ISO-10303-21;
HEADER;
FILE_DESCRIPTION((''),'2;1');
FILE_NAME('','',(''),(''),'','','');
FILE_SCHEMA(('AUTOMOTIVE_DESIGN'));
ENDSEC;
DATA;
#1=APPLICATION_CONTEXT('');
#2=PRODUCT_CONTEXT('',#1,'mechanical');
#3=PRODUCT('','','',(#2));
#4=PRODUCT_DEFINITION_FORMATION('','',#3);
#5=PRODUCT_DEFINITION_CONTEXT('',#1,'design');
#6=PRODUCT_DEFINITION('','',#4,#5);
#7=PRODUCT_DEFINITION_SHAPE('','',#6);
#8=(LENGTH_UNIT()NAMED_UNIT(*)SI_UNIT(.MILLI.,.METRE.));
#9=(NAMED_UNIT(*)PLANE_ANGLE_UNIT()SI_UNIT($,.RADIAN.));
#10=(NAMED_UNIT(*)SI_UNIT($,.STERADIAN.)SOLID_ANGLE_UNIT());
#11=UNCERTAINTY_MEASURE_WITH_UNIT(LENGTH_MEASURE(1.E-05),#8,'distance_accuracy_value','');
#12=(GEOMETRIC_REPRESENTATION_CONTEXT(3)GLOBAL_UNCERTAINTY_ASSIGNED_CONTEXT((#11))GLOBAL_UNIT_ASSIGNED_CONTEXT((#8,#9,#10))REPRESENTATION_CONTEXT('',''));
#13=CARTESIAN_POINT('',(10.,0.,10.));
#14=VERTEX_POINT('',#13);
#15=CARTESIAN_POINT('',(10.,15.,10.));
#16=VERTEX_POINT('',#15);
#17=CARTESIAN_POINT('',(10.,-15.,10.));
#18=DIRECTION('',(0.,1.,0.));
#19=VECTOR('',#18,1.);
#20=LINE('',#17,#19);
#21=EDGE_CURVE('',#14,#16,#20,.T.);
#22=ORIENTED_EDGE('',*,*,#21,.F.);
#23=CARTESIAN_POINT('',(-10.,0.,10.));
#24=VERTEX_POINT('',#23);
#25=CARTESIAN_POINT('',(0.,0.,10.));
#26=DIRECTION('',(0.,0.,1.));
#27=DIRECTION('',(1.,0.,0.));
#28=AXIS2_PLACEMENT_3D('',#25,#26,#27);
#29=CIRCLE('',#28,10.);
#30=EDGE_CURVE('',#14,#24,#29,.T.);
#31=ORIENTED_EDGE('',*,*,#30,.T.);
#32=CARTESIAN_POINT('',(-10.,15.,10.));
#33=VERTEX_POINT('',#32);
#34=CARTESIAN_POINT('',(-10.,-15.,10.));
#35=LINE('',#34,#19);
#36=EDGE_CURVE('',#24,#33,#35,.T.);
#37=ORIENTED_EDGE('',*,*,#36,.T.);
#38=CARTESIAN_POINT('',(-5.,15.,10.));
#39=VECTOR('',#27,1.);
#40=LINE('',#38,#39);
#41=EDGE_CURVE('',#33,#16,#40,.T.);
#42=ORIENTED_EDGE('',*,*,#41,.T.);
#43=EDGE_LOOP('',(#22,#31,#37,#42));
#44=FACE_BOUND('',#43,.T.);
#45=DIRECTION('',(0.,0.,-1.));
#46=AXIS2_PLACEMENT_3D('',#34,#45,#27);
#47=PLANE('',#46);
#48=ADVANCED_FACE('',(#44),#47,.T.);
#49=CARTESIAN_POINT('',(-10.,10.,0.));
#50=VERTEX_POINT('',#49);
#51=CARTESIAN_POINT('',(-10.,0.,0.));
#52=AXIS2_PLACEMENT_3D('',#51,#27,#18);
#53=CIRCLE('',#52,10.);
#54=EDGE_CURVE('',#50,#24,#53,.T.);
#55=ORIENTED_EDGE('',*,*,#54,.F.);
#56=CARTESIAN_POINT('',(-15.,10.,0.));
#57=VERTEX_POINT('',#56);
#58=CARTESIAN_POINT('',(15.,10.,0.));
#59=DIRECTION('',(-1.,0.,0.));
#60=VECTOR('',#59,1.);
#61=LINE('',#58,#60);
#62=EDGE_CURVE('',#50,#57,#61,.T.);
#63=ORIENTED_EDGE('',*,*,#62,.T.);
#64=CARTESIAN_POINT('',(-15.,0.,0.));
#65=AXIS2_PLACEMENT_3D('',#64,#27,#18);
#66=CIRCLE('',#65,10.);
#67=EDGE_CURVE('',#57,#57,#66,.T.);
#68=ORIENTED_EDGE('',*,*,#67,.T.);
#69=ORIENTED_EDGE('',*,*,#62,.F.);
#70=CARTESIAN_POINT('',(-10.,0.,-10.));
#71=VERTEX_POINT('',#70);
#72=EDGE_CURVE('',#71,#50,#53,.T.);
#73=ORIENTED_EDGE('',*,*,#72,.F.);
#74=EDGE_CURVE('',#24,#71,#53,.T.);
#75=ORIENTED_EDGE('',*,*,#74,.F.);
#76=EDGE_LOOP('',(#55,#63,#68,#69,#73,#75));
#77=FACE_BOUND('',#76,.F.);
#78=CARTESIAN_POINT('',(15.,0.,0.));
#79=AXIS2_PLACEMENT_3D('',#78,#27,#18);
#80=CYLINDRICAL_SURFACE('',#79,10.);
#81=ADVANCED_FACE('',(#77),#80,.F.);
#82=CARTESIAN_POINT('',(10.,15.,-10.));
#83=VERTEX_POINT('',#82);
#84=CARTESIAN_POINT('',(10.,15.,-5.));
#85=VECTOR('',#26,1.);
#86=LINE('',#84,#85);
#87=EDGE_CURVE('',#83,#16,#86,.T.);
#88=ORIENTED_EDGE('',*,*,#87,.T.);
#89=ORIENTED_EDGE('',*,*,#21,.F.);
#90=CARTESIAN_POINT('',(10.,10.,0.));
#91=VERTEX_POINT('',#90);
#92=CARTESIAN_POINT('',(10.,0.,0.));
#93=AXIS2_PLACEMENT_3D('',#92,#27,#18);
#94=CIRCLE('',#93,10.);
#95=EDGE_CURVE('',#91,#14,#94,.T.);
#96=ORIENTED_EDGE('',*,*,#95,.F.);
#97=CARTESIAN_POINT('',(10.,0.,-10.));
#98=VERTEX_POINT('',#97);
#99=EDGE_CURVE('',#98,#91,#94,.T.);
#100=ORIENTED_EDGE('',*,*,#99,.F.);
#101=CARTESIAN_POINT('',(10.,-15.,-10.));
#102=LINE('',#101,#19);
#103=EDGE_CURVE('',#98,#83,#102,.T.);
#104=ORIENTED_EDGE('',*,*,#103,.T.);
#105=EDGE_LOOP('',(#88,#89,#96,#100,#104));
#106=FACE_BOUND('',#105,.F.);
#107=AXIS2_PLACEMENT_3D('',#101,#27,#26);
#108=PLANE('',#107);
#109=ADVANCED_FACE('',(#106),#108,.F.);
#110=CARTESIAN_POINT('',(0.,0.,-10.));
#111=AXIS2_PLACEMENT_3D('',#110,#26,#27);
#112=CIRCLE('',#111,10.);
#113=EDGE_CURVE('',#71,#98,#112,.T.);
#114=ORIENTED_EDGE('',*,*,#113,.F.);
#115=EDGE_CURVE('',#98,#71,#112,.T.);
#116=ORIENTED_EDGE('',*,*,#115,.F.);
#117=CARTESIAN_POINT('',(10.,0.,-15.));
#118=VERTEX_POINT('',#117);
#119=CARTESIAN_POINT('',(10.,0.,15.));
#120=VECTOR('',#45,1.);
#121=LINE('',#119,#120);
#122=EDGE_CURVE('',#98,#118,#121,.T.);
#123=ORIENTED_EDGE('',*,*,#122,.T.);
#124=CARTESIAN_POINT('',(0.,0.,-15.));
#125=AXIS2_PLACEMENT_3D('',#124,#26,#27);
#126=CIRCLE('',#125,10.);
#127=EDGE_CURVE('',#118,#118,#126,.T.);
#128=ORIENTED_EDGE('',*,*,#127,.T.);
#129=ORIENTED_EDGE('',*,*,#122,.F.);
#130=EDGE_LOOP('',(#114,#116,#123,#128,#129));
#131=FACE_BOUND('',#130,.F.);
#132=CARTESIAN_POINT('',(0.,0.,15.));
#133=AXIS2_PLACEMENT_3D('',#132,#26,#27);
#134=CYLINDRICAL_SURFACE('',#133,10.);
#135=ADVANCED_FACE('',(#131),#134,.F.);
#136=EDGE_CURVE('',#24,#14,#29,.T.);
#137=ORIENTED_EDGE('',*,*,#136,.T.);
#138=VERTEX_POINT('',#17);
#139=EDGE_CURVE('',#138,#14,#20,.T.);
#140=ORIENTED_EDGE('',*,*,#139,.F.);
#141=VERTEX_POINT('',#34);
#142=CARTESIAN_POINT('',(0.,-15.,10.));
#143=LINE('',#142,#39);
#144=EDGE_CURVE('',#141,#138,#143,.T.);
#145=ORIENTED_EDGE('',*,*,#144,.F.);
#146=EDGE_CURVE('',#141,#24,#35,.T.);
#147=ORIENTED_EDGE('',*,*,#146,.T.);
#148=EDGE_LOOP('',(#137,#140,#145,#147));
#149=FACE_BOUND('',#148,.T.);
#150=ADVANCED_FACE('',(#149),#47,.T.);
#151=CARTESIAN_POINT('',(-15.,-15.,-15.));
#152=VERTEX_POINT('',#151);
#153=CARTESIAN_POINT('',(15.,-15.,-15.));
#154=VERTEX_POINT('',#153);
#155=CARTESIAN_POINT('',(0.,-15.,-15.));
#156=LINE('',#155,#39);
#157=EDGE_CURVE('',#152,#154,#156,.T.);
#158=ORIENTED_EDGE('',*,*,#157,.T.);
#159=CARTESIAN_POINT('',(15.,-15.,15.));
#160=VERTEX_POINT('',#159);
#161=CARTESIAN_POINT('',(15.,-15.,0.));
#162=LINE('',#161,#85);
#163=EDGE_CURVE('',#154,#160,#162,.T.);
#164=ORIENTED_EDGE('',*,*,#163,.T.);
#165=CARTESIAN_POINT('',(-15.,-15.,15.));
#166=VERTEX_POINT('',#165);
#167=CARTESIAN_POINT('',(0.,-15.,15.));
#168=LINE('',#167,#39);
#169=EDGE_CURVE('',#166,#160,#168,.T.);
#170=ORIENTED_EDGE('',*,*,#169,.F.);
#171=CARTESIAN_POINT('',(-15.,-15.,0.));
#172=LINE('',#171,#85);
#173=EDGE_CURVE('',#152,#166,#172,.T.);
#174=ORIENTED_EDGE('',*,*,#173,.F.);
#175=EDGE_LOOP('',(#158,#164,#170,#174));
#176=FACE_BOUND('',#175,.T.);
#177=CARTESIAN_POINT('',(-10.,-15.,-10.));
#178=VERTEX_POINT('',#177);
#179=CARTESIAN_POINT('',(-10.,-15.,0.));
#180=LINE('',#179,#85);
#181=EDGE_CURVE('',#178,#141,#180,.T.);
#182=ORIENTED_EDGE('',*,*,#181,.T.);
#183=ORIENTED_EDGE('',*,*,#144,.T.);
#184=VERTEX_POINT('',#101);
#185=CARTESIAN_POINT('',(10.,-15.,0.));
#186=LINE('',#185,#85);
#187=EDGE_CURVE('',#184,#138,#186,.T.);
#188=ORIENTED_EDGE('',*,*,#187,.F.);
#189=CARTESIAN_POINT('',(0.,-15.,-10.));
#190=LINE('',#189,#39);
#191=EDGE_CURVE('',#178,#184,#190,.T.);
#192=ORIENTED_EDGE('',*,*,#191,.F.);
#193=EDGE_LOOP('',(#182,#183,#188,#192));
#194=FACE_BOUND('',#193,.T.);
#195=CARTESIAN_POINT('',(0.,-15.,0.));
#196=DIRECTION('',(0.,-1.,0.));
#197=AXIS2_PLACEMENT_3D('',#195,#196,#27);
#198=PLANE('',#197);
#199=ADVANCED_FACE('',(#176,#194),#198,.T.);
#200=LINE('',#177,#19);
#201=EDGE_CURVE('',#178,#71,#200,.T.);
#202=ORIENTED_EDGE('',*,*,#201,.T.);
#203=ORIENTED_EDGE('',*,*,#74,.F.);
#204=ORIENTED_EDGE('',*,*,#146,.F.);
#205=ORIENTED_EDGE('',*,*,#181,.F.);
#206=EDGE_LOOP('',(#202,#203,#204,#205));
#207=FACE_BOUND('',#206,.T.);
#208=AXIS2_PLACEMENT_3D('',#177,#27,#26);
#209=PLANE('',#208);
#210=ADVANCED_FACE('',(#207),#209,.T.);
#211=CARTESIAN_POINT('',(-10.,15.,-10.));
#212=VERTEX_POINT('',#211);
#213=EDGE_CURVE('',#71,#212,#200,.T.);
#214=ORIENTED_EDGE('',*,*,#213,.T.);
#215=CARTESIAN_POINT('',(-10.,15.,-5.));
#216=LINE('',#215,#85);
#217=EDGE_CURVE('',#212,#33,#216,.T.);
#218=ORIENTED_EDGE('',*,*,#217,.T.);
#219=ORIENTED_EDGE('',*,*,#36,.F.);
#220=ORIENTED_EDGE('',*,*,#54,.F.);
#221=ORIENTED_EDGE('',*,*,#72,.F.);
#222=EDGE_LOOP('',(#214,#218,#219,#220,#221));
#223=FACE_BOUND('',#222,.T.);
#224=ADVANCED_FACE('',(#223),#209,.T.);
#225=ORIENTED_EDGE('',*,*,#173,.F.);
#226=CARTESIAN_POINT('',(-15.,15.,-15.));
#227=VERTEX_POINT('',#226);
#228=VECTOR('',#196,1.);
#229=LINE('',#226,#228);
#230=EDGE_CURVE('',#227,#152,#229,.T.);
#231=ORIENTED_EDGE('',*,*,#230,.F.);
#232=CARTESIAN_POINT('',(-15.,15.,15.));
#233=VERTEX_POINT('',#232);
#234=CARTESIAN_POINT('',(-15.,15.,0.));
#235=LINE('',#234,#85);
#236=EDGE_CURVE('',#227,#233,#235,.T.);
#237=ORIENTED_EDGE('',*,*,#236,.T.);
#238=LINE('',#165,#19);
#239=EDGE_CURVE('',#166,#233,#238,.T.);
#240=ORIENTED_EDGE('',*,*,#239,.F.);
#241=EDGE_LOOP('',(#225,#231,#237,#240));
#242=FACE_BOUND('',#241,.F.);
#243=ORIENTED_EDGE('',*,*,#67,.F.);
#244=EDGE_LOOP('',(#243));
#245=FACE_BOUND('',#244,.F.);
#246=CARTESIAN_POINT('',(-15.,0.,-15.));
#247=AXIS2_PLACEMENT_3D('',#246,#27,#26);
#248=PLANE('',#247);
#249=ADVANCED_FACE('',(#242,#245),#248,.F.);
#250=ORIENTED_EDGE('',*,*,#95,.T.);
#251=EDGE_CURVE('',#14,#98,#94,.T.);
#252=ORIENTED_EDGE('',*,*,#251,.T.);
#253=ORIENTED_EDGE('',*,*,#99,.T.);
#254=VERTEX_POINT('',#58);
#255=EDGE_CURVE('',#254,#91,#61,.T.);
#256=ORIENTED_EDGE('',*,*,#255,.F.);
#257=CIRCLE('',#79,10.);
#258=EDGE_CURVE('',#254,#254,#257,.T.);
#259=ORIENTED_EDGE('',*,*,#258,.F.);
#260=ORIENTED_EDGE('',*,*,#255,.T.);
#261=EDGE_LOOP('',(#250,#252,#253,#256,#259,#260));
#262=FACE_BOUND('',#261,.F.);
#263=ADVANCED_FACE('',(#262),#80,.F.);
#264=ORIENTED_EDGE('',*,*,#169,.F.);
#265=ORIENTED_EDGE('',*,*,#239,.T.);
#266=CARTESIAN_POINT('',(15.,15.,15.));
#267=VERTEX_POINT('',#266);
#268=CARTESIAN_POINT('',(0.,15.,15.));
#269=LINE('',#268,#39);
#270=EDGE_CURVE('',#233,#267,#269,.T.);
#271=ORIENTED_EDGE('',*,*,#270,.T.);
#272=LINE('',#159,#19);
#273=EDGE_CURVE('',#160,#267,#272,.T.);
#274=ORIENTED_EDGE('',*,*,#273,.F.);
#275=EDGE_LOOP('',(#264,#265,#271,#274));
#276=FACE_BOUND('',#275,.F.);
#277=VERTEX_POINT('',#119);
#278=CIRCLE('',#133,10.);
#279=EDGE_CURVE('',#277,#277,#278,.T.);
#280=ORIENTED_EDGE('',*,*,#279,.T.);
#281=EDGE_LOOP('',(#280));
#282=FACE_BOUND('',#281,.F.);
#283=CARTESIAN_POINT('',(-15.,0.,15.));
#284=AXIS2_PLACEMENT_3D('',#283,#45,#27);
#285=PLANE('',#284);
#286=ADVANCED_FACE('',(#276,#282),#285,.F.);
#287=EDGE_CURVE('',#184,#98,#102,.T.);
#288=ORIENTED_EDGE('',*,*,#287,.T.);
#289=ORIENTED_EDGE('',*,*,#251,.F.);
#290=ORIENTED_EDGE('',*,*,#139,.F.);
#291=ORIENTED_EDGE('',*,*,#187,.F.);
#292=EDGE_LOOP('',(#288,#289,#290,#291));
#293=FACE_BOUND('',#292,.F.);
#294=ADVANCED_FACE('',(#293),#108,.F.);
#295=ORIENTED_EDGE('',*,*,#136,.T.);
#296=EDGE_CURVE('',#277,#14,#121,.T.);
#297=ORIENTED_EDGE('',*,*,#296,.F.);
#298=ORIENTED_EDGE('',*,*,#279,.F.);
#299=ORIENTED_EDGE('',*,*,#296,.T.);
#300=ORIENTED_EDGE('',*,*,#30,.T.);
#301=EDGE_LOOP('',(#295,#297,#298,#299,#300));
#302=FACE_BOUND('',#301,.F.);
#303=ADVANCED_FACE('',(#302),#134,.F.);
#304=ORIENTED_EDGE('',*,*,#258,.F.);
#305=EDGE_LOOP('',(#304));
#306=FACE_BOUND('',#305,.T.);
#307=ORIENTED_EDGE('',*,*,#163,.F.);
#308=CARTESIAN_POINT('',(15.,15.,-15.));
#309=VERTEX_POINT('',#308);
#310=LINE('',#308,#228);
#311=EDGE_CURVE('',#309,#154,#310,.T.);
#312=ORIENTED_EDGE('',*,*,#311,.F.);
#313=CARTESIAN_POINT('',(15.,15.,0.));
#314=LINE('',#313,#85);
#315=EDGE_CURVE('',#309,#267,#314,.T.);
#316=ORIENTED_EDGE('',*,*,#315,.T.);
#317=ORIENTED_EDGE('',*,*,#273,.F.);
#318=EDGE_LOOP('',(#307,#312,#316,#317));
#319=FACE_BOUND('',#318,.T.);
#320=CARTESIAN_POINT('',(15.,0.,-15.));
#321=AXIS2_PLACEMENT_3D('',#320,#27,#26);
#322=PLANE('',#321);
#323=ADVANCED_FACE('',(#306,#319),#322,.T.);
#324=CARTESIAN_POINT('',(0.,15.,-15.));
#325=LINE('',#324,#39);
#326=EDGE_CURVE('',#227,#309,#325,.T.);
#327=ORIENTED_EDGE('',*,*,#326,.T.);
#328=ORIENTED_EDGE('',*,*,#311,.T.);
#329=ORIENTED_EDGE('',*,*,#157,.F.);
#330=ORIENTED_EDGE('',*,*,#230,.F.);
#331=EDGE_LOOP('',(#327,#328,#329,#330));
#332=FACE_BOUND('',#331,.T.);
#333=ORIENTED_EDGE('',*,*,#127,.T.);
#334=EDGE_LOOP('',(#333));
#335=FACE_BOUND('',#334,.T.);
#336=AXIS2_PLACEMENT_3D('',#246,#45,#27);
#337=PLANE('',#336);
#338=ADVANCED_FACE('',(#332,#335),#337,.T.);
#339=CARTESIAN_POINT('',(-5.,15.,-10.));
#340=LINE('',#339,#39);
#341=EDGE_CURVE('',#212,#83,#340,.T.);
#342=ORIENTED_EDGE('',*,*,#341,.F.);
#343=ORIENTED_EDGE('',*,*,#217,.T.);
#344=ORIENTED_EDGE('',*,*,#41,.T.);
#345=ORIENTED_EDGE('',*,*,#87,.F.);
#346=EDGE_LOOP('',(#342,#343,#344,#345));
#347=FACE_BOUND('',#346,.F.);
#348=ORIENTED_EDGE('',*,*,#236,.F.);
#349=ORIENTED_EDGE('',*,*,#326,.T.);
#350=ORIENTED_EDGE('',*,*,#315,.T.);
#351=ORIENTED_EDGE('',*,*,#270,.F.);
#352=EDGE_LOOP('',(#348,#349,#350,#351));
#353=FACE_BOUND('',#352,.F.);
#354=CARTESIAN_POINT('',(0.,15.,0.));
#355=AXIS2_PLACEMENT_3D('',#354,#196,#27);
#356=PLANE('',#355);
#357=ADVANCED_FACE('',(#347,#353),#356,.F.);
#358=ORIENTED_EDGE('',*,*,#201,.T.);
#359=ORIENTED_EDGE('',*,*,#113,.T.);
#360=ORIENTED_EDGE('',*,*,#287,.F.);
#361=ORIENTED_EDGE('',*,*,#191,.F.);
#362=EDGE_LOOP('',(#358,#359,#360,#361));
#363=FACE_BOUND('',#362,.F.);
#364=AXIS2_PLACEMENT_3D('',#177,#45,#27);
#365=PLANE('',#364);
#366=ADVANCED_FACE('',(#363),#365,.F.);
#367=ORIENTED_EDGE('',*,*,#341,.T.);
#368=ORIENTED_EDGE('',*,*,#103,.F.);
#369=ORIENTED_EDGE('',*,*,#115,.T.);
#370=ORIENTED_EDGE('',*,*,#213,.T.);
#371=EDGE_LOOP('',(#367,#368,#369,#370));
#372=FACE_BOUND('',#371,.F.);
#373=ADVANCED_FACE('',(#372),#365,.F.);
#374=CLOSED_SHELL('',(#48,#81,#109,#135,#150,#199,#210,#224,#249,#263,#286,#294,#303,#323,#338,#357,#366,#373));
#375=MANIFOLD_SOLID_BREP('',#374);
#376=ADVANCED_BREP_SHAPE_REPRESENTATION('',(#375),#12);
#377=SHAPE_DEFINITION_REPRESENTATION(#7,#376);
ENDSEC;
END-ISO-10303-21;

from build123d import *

# Parameters (mm, degrees)
F0_W     = 30
F0_H     = 30
F1_DEPTH = 15
F2_W     = 20
F2_H     = 20
F3_DEPTH = 30.001
F4_R     = 10
F5_DEPTH = 30.001
F6_R     = 10
F7_DEPTH = 30.001


with BuildPart() as f1:
    # F0 (on Front) → F1 (new body, symmetric)
    with BuildSketch(Plane.XZ):
        Rectangle(F0_W, F0_H)
    extrude(amount=F1_DEPTH, both=True)

    # F2 (on face) → F3 (cut, through all)
    with BuildSketch(Plane.XZ.offset(15)):
        Rectangle(F2_W, F2_H)
    extrude(amount=-F3_DEPTH, mode=Mode.SUBTRACT)

    # F4 (on face) → F5 (cut, through all)
    with BuildSketch(Plane.YZ.offset(15)):
        Circle(F4_R)
    extrude(amount=-F5_DEPTH, mode=Mode.SUBTRACT)

    # F6 (on face) → F7 (cut, through all)
    with BuildSketch(Plane.XY.offset(15)):
        Circle(F6_R)
    extrude(amount=-F7_DEPTH, mode=Mode.SUBTRACT)


solid = f1.part
